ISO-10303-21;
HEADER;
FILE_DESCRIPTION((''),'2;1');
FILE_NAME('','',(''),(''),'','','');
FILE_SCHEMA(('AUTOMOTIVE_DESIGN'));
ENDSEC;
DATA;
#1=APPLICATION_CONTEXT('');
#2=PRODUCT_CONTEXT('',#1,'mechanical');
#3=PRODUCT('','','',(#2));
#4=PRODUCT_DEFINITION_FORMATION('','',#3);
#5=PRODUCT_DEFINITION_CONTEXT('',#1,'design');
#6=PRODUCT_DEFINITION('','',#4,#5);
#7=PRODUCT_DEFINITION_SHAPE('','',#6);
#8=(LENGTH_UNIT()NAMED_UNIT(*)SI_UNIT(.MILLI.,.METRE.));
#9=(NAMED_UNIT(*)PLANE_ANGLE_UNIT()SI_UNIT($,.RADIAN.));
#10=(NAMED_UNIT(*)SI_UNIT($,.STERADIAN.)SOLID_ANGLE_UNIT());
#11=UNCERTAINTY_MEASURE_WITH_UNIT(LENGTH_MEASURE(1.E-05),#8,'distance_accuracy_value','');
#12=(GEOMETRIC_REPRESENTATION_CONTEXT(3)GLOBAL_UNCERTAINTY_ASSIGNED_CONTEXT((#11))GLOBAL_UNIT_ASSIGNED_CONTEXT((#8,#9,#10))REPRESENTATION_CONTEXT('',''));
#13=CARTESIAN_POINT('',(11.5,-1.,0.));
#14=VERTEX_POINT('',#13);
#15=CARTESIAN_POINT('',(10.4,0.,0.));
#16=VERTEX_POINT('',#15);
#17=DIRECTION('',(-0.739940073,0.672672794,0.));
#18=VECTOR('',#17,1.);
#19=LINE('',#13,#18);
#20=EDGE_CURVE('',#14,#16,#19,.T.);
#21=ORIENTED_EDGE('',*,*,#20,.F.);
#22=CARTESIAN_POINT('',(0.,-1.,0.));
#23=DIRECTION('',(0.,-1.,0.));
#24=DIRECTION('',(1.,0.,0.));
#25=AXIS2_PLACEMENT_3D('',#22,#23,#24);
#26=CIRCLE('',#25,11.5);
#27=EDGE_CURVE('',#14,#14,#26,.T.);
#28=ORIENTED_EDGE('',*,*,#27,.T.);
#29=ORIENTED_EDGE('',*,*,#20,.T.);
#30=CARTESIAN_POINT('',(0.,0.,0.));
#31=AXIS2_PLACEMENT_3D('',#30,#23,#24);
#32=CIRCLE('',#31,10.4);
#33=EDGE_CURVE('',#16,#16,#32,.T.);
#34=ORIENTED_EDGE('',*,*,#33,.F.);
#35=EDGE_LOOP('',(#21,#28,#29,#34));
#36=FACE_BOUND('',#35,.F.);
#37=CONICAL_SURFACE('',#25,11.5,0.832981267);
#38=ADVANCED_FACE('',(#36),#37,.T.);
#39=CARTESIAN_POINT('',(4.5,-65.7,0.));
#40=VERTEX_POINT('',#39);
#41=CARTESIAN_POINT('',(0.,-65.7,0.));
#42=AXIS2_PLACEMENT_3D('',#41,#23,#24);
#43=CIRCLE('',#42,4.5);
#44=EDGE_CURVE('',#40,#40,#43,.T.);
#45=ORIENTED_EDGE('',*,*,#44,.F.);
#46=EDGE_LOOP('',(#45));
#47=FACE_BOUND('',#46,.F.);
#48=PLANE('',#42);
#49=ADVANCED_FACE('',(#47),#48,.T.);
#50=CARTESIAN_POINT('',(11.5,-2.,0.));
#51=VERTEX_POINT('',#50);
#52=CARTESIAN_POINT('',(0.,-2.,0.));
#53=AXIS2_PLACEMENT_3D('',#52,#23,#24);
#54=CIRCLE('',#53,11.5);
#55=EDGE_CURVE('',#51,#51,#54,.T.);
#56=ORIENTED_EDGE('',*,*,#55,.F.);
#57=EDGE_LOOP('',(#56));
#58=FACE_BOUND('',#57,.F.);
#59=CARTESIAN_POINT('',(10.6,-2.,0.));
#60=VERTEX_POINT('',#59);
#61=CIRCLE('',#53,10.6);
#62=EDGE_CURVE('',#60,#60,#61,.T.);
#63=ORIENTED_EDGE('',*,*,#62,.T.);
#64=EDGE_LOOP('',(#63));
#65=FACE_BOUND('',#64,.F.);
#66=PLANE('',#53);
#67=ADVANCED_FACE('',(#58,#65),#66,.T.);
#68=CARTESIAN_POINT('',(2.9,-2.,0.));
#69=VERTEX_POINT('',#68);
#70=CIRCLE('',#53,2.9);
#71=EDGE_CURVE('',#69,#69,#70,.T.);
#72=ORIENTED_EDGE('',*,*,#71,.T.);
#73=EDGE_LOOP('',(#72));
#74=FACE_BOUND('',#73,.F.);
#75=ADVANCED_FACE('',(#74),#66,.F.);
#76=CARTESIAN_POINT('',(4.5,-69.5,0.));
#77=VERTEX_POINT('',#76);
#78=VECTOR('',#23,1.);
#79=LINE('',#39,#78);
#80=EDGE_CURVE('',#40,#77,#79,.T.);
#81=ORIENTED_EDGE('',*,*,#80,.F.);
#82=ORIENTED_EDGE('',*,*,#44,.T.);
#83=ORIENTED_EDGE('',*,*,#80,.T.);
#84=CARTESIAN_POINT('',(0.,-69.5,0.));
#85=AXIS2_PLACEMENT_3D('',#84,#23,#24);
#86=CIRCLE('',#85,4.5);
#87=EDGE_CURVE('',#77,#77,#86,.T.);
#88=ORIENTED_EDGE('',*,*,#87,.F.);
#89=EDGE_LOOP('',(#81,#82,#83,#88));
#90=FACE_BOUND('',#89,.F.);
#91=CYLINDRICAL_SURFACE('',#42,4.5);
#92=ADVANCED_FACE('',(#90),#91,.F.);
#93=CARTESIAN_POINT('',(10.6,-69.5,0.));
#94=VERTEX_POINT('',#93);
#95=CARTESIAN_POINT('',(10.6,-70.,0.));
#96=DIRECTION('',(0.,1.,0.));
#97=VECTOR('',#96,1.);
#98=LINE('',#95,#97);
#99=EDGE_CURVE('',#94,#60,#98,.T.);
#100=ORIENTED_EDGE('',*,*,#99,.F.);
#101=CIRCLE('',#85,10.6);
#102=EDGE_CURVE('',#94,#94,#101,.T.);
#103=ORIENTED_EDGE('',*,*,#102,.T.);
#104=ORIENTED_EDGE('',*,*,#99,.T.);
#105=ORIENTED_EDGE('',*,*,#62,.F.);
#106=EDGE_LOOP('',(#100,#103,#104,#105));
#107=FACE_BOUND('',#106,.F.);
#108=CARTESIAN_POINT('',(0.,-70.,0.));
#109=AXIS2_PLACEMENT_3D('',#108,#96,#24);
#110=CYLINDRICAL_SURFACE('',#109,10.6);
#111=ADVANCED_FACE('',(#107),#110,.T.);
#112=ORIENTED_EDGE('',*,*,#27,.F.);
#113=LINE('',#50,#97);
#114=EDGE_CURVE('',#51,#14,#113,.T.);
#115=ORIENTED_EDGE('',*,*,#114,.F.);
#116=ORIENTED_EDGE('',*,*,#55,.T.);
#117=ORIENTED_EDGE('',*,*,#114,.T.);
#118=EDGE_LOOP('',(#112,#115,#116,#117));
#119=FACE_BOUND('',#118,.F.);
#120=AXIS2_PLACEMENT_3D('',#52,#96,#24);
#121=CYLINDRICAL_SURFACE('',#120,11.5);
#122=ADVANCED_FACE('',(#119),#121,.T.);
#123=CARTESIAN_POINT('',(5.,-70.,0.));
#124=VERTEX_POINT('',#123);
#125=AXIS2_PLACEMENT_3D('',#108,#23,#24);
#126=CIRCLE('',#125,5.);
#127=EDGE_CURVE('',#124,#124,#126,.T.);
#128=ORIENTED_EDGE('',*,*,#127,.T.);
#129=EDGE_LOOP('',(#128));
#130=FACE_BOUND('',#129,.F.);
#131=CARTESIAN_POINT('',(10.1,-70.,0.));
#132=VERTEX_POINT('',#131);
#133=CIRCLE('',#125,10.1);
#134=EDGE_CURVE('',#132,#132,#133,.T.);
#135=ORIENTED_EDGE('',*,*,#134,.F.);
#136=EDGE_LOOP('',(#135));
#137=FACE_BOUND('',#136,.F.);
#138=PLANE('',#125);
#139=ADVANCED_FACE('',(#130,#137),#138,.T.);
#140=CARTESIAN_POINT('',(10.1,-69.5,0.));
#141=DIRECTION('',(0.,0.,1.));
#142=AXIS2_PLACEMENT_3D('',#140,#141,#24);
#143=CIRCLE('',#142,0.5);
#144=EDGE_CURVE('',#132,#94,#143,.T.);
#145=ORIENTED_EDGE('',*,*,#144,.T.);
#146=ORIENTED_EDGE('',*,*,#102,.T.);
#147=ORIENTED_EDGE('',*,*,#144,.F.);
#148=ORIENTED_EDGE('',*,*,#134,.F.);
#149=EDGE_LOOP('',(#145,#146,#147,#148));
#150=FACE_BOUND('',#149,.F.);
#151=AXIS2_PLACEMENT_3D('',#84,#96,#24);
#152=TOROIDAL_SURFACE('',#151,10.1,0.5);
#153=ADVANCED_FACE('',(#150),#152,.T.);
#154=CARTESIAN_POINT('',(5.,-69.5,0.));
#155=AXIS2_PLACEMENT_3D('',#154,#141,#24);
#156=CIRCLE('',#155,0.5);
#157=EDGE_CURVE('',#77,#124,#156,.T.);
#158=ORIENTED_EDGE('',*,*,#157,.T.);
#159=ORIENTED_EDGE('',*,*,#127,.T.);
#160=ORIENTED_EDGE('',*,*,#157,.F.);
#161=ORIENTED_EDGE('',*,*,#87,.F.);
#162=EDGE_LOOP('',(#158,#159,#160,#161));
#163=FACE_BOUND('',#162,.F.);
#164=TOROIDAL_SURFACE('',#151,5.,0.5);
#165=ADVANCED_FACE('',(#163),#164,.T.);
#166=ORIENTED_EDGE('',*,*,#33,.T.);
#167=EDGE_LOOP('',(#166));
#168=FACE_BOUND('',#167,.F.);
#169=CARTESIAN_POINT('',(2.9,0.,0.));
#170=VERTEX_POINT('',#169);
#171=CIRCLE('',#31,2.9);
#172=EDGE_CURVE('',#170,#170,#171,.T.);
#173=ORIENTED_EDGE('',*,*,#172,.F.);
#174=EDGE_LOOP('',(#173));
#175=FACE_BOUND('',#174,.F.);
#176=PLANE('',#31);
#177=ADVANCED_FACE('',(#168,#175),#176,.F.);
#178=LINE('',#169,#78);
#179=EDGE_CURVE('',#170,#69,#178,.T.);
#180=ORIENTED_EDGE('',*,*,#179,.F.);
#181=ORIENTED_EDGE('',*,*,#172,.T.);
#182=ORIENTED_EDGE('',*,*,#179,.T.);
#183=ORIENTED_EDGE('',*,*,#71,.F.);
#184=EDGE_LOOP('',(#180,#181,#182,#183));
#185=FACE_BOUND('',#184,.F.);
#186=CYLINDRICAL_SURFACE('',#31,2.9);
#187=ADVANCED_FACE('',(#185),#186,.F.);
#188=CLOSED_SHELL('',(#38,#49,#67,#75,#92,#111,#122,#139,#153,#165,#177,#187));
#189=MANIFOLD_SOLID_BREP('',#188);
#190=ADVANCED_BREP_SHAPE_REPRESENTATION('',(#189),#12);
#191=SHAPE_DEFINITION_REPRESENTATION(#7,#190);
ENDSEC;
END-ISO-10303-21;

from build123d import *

# Parameters (mm, degrees)
F2_R = 0.5


with BuildPart() as f1:
    # F0 (on Top) → F1 (revolve)
    with BuildSketch(Plane.XY):
        Polygon((2.9, -2), (0, -2), (0, -65.7), (4.5, -65.7), (4.5, -70), (10.6, -70), (10.6, -2), (11.5, -2), (11.5, -1), (10.4, 0), (2.9, 0), align=None)
    revolve(axis=Axis((0, -33.85, 0), (0, -1, 0)))

    # F2
    f2_edges = [f1.edges().sort_by_distance(p)[0] for p in [
        (-10.6, -70, 0),
        (-4.5, -70, 0),
    ]]
    fillet(f2_edges, radius=F2_R)


solid = f1.part
